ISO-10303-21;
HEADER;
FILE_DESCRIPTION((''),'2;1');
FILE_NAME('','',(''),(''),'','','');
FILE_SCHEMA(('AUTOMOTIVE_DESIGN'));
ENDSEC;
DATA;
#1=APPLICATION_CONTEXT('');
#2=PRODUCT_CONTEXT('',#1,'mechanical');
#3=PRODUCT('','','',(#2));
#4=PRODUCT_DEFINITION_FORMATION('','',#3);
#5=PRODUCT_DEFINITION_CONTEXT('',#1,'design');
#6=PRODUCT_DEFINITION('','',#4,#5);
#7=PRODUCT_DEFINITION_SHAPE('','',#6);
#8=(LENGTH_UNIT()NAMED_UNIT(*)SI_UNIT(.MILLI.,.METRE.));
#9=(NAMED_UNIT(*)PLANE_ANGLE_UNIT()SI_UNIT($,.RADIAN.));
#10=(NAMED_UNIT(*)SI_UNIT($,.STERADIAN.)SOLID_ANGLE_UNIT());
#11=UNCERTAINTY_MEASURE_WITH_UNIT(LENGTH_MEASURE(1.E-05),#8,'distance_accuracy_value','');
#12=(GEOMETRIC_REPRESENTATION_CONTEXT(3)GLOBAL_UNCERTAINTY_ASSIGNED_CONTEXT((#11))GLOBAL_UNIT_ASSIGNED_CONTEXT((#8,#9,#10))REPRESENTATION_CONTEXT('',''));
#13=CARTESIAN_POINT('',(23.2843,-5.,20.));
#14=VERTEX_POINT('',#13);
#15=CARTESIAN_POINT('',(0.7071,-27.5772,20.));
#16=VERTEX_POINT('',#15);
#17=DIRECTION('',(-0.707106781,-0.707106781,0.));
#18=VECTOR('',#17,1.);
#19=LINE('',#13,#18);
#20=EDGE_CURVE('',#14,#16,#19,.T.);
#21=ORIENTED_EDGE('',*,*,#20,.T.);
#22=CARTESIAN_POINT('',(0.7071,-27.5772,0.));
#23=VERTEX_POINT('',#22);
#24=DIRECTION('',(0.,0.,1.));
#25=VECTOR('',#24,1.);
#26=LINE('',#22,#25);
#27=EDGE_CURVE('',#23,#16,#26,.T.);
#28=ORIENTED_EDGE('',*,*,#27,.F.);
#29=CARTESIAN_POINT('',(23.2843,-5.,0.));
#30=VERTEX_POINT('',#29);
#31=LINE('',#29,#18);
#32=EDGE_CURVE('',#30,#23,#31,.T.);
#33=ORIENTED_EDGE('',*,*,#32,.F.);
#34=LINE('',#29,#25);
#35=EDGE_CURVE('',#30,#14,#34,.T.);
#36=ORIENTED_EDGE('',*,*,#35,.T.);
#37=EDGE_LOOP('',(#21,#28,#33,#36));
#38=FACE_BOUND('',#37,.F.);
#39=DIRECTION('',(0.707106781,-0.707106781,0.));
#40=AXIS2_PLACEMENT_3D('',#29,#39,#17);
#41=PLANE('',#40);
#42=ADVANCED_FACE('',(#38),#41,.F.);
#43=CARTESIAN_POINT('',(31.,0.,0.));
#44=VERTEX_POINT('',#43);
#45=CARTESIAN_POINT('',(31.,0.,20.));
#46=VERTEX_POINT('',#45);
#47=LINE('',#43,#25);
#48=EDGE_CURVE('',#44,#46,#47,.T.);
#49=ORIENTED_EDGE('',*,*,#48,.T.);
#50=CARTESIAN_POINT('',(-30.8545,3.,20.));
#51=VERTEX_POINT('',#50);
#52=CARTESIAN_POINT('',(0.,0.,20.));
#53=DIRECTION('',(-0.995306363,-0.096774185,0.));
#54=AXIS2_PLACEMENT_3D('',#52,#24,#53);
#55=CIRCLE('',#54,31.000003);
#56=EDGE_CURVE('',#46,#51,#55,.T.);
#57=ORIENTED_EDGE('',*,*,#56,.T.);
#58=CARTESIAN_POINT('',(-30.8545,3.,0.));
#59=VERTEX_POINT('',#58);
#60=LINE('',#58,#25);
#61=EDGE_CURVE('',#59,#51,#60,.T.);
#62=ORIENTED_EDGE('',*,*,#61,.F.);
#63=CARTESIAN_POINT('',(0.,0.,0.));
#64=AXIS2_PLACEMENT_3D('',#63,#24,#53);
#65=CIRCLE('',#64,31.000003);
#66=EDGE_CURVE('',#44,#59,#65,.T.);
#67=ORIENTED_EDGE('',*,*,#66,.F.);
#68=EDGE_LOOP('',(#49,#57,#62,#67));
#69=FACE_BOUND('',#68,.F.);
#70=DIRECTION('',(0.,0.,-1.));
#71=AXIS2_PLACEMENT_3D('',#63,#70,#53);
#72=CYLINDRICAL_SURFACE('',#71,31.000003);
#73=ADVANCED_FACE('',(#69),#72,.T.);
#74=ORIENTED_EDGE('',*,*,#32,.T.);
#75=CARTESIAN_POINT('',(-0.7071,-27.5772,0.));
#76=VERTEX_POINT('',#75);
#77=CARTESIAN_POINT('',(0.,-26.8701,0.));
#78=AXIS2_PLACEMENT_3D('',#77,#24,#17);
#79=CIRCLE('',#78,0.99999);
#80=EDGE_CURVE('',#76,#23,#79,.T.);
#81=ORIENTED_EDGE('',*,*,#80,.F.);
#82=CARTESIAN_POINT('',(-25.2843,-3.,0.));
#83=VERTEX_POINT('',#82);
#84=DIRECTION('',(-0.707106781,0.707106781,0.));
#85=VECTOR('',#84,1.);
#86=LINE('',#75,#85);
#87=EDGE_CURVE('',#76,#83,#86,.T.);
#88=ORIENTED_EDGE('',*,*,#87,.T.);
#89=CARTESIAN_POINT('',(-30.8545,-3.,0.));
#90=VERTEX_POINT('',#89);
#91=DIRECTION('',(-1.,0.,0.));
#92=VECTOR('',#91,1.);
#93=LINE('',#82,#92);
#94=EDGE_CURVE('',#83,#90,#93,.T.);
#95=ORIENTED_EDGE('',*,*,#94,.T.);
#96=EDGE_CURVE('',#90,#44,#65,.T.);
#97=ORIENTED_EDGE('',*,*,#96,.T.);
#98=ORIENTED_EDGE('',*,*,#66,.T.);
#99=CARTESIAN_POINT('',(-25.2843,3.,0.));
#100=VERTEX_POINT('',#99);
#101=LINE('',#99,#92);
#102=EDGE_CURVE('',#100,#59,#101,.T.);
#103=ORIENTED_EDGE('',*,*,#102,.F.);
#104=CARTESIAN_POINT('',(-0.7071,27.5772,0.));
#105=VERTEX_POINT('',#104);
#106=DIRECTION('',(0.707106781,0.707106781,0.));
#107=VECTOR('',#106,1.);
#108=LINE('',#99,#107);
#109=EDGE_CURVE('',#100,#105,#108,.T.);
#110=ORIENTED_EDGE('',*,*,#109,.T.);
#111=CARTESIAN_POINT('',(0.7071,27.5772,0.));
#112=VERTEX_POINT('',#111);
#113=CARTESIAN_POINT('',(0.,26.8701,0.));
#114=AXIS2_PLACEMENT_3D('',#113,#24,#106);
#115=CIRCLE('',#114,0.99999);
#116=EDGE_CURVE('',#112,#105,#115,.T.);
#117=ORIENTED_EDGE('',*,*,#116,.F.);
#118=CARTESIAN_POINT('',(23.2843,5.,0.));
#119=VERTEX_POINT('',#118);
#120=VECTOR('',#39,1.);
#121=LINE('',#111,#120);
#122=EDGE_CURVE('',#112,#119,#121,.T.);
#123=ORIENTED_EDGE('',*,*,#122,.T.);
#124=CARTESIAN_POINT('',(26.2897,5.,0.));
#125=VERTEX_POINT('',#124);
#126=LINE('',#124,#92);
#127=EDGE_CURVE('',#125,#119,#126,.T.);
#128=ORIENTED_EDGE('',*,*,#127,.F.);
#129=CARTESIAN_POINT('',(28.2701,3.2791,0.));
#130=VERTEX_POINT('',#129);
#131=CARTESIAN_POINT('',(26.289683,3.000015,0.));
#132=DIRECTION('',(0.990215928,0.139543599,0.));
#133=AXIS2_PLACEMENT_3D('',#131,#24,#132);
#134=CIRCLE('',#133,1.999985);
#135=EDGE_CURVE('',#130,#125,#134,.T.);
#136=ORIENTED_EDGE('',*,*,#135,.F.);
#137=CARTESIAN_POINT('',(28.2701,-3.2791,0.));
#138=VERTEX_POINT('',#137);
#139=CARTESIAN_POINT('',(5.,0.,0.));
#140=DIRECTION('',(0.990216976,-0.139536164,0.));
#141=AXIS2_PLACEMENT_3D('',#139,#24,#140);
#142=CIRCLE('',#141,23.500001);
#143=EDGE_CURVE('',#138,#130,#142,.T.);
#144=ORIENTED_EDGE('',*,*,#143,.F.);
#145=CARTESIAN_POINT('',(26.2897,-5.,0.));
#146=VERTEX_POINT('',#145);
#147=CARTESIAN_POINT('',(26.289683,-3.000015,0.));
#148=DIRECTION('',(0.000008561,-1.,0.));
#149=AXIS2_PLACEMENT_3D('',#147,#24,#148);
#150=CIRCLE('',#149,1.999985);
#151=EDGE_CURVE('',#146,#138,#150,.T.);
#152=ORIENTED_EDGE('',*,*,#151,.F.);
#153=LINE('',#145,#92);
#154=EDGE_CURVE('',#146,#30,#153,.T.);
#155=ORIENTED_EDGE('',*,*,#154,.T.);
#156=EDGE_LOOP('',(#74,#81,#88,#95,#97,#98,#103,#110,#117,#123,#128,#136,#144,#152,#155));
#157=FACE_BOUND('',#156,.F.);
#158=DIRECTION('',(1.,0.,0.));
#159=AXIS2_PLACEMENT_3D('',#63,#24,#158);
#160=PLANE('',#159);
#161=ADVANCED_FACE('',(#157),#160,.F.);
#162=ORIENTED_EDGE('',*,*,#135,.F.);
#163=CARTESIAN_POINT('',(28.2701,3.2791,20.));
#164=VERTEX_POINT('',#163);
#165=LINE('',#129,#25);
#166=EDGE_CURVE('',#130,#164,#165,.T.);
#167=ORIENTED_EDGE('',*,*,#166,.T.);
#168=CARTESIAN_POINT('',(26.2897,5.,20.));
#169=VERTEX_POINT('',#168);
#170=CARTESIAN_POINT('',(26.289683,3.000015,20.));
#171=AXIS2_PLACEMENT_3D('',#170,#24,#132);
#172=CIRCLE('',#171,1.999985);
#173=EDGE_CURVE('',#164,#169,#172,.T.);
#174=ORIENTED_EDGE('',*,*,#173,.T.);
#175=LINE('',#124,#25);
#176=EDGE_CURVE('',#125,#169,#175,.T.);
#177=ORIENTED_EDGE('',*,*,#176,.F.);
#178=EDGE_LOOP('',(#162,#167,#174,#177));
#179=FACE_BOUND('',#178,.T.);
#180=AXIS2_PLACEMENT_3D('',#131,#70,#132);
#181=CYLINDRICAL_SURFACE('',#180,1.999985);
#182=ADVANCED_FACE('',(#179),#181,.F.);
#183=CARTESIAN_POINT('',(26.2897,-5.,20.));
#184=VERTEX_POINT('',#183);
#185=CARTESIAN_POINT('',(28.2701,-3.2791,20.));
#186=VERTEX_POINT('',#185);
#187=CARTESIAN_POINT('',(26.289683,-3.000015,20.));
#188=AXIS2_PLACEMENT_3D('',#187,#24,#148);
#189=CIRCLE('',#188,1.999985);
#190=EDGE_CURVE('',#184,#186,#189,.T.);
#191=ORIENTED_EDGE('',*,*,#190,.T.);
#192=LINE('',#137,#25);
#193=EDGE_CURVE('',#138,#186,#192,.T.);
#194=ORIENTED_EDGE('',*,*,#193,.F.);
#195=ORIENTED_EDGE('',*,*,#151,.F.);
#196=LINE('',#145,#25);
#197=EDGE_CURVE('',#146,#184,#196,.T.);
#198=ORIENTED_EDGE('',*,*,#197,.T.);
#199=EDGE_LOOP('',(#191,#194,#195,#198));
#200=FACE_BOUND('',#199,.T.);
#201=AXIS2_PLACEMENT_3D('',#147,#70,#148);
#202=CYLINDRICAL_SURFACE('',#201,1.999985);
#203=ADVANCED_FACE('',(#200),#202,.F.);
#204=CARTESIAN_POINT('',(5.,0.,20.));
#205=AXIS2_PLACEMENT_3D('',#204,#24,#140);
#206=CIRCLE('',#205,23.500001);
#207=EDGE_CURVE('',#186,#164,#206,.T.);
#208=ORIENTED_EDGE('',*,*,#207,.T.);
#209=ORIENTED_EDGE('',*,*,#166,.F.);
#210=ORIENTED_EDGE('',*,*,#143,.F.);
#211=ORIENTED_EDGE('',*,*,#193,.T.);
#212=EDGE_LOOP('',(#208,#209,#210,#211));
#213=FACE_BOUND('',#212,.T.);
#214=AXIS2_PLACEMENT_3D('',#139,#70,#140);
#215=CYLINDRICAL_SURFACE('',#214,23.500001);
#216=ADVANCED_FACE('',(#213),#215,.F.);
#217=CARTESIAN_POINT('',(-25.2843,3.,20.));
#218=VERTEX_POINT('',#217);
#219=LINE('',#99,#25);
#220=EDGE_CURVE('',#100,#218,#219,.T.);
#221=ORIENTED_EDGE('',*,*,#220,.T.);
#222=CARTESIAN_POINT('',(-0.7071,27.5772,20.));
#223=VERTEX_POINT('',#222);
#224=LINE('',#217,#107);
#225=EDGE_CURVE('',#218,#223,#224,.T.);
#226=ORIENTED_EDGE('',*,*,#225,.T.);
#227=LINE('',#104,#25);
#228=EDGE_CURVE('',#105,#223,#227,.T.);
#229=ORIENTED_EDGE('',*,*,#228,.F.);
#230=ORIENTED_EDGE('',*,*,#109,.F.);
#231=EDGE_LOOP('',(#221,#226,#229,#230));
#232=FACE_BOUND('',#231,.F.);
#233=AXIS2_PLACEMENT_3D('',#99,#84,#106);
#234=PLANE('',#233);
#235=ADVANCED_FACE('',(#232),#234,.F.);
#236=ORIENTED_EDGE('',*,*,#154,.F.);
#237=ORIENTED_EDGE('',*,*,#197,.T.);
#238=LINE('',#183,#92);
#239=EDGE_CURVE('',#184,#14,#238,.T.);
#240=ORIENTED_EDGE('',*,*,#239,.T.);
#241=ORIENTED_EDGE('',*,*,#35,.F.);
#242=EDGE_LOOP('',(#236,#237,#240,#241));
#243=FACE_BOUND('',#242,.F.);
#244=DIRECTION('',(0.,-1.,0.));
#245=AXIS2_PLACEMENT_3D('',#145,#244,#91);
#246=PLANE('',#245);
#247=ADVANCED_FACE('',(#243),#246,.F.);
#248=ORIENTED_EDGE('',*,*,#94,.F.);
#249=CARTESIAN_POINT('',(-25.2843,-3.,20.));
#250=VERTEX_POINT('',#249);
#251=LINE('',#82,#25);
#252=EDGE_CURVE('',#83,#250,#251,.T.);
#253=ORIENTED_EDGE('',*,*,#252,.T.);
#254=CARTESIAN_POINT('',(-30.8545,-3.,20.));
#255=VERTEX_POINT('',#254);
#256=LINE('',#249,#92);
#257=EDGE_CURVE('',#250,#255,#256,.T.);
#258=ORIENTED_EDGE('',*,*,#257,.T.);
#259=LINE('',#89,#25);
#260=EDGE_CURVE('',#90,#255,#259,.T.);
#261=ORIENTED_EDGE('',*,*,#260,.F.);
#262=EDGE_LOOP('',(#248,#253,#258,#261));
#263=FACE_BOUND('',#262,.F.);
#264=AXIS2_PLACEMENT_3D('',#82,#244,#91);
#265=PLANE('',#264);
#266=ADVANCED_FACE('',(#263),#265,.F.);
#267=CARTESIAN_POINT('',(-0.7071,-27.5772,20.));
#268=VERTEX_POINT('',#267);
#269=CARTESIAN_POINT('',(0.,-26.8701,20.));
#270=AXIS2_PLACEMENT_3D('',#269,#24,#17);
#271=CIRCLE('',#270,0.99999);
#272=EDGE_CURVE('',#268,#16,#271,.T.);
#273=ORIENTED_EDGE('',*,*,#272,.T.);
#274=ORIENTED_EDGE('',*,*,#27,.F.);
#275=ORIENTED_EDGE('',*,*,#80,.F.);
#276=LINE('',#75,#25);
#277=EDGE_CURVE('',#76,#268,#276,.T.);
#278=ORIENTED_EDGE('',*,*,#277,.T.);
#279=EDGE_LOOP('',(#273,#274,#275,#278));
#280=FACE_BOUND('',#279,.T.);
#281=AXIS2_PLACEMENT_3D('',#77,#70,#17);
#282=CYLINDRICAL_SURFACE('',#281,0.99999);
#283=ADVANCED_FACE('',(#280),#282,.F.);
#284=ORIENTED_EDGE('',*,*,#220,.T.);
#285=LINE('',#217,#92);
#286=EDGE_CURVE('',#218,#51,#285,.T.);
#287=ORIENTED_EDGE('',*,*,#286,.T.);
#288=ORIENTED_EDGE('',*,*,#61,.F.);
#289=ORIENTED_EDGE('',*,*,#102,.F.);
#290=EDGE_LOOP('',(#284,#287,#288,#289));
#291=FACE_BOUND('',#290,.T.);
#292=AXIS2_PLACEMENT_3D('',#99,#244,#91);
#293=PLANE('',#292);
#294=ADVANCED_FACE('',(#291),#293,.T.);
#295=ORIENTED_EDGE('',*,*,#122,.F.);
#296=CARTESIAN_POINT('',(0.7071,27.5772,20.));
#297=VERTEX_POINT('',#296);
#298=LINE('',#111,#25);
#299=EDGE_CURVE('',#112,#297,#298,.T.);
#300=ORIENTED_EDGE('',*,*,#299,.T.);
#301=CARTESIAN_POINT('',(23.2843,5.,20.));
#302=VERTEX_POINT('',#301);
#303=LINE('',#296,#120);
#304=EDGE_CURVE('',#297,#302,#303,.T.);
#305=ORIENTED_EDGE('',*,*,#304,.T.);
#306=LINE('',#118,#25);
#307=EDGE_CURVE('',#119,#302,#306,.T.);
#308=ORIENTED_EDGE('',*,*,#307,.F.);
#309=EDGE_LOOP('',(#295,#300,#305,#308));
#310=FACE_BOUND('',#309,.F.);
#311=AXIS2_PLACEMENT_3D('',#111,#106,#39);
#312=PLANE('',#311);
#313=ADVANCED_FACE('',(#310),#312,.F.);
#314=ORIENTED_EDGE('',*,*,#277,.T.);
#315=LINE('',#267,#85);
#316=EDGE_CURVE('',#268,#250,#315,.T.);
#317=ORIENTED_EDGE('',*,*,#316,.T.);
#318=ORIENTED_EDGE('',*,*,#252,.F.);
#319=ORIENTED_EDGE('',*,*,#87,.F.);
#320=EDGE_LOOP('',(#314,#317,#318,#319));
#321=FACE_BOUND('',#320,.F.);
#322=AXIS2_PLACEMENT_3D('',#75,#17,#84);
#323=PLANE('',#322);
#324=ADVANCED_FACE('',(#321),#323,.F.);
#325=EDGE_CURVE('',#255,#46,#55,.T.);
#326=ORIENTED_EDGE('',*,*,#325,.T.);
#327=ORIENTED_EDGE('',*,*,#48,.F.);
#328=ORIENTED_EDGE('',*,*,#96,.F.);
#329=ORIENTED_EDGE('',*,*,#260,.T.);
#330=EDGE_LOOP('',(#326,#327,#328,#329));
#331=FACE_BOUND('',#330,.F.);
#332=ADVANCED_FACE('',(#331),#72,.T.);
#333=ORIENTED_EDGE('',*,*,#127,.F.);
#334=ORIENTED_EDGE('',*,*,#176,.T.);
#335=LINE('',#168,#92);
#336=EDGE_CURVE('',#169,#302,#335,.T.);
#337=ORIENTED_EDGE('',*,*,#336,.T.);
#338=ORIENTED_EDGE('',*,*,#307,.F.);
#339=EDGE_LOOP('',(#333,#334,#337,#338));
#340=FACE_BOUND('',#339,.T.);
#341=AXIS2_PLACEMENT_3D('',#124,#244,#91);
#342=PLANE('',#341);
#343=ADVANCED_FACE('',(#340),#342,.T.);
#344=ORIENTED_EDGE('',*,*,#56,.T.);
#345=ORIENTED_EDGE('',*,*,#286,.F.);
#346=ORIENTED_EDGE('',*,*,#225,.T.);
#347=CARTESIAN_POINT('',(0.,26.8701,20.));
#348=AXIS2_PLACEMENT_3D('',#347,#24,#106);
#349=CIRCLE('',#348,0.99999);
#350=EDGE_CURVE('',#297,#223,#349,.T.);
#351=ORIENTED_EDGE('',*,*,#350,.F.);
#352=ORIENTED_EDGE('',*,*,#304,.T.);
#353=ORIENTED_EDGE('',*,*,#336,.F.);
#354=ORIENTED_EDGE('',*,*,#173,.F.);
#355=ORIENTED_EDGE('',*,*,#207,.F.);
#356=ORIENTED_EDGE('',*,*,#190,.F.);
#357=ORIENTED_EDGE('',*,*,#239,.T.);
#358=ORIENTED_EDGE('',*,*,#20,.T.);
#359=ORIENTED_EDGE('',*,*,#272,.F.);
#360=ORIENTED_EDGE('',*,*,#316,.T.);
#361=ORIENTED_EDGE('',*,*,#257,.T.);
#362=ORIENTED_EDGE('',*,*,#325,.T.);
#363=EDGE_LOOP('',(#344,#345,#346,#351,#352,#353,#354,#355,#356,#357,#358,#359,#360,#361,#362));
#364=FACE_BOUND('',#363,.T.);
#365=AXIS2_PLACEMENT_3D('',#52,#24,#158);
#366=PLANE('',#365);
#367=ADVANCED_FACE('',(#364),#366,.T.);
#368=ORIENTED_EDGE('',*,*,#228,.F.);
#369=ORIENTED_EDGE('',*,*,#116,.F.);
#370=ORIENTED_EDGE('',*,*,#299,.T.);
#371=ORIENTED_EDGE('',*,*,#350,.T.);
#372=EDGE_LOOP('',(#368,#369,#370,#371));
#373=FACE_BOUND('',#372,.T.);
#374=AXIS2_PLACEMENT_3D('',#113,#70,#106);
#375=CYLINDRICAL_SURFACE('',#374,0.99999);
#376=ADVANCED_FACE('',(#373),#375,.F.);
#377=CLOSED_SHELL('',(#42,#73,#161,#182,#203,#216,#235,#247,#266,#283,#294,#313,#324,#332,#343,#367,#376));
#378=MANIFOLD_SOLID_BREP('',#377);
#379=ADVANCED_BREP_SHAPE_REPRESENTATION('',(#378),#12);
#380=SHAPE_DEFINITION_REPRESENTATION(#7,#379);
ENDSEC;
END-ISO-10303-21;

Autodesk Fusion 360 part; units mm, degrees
sketch "Sketch1" plane through (0, 0, 0) normal (0, 0, 1) x (1, 0, 0)
  line L0 (0.7071, 27.5772) -> (23.2843, 5)
  line L1 (23.2843, -5) -> (0.7071, -27.5772)
  line L2 (-0.7071, -27.5772) -> (-25.2843, -3)
  line L3 (-25.2843, 3) -> (-0.7071, 27.5772)
  line L4 (0, 0) -> (57.5603, 0) construction
  line L5 (31, 0) -> (31, -17.1775)
  line L6 (-25.2843, 3) -> (-30.8545, 3)
  line L7 (-25.2843, -3) -> (-30.8545, -3)
  arc A0 (0.7071, 27.5772) -> (-0.7071, 27.5772) centre (0, 26.8701) ccw
  arc A1 (-0.7071, -27.5772) -> (0.7071, -27.5772) centre (0, -26.8701) ccw
  arc A2 (-30.8545, -3) -> (-30.8545, 3) centre (0, 0) ccw
  line L8 (26.2897, 5) -> (23.2843, 5)
  line L9 (26.2897, -5) -> (23.2843, -5)
  arc A3 (28.2701, -3.2791) -> (28.2701, 3.2791) centre (5, 0) ccw
  arc A4 (28.2701, 3.2791) -> (26.2897, 5) centre (26.2897, 3) ccw
  arc A5 (26.2897, -5) -> (28.2701, -3.2791) centre (26.2897, -3) ccw
  point P0 (0, 28.2843)
  point P1 (28.2843, 0)
  point P2 (29, 5)
  dimension "d1" = 62
  dimension "d2" = 40
  dimension "d4" = 20
  dimension "d5" = 20
  dimension "d7" = 45
  dimension "d9" = 3
  dimension "d11" = 1
  dimension "d13" = 5
  dimension "d14" = 5
  dimension "d15" = 47
  dimension "d16" = 2
extrude "Extrude1" add sketch "Sketch1" along normal blind 20
